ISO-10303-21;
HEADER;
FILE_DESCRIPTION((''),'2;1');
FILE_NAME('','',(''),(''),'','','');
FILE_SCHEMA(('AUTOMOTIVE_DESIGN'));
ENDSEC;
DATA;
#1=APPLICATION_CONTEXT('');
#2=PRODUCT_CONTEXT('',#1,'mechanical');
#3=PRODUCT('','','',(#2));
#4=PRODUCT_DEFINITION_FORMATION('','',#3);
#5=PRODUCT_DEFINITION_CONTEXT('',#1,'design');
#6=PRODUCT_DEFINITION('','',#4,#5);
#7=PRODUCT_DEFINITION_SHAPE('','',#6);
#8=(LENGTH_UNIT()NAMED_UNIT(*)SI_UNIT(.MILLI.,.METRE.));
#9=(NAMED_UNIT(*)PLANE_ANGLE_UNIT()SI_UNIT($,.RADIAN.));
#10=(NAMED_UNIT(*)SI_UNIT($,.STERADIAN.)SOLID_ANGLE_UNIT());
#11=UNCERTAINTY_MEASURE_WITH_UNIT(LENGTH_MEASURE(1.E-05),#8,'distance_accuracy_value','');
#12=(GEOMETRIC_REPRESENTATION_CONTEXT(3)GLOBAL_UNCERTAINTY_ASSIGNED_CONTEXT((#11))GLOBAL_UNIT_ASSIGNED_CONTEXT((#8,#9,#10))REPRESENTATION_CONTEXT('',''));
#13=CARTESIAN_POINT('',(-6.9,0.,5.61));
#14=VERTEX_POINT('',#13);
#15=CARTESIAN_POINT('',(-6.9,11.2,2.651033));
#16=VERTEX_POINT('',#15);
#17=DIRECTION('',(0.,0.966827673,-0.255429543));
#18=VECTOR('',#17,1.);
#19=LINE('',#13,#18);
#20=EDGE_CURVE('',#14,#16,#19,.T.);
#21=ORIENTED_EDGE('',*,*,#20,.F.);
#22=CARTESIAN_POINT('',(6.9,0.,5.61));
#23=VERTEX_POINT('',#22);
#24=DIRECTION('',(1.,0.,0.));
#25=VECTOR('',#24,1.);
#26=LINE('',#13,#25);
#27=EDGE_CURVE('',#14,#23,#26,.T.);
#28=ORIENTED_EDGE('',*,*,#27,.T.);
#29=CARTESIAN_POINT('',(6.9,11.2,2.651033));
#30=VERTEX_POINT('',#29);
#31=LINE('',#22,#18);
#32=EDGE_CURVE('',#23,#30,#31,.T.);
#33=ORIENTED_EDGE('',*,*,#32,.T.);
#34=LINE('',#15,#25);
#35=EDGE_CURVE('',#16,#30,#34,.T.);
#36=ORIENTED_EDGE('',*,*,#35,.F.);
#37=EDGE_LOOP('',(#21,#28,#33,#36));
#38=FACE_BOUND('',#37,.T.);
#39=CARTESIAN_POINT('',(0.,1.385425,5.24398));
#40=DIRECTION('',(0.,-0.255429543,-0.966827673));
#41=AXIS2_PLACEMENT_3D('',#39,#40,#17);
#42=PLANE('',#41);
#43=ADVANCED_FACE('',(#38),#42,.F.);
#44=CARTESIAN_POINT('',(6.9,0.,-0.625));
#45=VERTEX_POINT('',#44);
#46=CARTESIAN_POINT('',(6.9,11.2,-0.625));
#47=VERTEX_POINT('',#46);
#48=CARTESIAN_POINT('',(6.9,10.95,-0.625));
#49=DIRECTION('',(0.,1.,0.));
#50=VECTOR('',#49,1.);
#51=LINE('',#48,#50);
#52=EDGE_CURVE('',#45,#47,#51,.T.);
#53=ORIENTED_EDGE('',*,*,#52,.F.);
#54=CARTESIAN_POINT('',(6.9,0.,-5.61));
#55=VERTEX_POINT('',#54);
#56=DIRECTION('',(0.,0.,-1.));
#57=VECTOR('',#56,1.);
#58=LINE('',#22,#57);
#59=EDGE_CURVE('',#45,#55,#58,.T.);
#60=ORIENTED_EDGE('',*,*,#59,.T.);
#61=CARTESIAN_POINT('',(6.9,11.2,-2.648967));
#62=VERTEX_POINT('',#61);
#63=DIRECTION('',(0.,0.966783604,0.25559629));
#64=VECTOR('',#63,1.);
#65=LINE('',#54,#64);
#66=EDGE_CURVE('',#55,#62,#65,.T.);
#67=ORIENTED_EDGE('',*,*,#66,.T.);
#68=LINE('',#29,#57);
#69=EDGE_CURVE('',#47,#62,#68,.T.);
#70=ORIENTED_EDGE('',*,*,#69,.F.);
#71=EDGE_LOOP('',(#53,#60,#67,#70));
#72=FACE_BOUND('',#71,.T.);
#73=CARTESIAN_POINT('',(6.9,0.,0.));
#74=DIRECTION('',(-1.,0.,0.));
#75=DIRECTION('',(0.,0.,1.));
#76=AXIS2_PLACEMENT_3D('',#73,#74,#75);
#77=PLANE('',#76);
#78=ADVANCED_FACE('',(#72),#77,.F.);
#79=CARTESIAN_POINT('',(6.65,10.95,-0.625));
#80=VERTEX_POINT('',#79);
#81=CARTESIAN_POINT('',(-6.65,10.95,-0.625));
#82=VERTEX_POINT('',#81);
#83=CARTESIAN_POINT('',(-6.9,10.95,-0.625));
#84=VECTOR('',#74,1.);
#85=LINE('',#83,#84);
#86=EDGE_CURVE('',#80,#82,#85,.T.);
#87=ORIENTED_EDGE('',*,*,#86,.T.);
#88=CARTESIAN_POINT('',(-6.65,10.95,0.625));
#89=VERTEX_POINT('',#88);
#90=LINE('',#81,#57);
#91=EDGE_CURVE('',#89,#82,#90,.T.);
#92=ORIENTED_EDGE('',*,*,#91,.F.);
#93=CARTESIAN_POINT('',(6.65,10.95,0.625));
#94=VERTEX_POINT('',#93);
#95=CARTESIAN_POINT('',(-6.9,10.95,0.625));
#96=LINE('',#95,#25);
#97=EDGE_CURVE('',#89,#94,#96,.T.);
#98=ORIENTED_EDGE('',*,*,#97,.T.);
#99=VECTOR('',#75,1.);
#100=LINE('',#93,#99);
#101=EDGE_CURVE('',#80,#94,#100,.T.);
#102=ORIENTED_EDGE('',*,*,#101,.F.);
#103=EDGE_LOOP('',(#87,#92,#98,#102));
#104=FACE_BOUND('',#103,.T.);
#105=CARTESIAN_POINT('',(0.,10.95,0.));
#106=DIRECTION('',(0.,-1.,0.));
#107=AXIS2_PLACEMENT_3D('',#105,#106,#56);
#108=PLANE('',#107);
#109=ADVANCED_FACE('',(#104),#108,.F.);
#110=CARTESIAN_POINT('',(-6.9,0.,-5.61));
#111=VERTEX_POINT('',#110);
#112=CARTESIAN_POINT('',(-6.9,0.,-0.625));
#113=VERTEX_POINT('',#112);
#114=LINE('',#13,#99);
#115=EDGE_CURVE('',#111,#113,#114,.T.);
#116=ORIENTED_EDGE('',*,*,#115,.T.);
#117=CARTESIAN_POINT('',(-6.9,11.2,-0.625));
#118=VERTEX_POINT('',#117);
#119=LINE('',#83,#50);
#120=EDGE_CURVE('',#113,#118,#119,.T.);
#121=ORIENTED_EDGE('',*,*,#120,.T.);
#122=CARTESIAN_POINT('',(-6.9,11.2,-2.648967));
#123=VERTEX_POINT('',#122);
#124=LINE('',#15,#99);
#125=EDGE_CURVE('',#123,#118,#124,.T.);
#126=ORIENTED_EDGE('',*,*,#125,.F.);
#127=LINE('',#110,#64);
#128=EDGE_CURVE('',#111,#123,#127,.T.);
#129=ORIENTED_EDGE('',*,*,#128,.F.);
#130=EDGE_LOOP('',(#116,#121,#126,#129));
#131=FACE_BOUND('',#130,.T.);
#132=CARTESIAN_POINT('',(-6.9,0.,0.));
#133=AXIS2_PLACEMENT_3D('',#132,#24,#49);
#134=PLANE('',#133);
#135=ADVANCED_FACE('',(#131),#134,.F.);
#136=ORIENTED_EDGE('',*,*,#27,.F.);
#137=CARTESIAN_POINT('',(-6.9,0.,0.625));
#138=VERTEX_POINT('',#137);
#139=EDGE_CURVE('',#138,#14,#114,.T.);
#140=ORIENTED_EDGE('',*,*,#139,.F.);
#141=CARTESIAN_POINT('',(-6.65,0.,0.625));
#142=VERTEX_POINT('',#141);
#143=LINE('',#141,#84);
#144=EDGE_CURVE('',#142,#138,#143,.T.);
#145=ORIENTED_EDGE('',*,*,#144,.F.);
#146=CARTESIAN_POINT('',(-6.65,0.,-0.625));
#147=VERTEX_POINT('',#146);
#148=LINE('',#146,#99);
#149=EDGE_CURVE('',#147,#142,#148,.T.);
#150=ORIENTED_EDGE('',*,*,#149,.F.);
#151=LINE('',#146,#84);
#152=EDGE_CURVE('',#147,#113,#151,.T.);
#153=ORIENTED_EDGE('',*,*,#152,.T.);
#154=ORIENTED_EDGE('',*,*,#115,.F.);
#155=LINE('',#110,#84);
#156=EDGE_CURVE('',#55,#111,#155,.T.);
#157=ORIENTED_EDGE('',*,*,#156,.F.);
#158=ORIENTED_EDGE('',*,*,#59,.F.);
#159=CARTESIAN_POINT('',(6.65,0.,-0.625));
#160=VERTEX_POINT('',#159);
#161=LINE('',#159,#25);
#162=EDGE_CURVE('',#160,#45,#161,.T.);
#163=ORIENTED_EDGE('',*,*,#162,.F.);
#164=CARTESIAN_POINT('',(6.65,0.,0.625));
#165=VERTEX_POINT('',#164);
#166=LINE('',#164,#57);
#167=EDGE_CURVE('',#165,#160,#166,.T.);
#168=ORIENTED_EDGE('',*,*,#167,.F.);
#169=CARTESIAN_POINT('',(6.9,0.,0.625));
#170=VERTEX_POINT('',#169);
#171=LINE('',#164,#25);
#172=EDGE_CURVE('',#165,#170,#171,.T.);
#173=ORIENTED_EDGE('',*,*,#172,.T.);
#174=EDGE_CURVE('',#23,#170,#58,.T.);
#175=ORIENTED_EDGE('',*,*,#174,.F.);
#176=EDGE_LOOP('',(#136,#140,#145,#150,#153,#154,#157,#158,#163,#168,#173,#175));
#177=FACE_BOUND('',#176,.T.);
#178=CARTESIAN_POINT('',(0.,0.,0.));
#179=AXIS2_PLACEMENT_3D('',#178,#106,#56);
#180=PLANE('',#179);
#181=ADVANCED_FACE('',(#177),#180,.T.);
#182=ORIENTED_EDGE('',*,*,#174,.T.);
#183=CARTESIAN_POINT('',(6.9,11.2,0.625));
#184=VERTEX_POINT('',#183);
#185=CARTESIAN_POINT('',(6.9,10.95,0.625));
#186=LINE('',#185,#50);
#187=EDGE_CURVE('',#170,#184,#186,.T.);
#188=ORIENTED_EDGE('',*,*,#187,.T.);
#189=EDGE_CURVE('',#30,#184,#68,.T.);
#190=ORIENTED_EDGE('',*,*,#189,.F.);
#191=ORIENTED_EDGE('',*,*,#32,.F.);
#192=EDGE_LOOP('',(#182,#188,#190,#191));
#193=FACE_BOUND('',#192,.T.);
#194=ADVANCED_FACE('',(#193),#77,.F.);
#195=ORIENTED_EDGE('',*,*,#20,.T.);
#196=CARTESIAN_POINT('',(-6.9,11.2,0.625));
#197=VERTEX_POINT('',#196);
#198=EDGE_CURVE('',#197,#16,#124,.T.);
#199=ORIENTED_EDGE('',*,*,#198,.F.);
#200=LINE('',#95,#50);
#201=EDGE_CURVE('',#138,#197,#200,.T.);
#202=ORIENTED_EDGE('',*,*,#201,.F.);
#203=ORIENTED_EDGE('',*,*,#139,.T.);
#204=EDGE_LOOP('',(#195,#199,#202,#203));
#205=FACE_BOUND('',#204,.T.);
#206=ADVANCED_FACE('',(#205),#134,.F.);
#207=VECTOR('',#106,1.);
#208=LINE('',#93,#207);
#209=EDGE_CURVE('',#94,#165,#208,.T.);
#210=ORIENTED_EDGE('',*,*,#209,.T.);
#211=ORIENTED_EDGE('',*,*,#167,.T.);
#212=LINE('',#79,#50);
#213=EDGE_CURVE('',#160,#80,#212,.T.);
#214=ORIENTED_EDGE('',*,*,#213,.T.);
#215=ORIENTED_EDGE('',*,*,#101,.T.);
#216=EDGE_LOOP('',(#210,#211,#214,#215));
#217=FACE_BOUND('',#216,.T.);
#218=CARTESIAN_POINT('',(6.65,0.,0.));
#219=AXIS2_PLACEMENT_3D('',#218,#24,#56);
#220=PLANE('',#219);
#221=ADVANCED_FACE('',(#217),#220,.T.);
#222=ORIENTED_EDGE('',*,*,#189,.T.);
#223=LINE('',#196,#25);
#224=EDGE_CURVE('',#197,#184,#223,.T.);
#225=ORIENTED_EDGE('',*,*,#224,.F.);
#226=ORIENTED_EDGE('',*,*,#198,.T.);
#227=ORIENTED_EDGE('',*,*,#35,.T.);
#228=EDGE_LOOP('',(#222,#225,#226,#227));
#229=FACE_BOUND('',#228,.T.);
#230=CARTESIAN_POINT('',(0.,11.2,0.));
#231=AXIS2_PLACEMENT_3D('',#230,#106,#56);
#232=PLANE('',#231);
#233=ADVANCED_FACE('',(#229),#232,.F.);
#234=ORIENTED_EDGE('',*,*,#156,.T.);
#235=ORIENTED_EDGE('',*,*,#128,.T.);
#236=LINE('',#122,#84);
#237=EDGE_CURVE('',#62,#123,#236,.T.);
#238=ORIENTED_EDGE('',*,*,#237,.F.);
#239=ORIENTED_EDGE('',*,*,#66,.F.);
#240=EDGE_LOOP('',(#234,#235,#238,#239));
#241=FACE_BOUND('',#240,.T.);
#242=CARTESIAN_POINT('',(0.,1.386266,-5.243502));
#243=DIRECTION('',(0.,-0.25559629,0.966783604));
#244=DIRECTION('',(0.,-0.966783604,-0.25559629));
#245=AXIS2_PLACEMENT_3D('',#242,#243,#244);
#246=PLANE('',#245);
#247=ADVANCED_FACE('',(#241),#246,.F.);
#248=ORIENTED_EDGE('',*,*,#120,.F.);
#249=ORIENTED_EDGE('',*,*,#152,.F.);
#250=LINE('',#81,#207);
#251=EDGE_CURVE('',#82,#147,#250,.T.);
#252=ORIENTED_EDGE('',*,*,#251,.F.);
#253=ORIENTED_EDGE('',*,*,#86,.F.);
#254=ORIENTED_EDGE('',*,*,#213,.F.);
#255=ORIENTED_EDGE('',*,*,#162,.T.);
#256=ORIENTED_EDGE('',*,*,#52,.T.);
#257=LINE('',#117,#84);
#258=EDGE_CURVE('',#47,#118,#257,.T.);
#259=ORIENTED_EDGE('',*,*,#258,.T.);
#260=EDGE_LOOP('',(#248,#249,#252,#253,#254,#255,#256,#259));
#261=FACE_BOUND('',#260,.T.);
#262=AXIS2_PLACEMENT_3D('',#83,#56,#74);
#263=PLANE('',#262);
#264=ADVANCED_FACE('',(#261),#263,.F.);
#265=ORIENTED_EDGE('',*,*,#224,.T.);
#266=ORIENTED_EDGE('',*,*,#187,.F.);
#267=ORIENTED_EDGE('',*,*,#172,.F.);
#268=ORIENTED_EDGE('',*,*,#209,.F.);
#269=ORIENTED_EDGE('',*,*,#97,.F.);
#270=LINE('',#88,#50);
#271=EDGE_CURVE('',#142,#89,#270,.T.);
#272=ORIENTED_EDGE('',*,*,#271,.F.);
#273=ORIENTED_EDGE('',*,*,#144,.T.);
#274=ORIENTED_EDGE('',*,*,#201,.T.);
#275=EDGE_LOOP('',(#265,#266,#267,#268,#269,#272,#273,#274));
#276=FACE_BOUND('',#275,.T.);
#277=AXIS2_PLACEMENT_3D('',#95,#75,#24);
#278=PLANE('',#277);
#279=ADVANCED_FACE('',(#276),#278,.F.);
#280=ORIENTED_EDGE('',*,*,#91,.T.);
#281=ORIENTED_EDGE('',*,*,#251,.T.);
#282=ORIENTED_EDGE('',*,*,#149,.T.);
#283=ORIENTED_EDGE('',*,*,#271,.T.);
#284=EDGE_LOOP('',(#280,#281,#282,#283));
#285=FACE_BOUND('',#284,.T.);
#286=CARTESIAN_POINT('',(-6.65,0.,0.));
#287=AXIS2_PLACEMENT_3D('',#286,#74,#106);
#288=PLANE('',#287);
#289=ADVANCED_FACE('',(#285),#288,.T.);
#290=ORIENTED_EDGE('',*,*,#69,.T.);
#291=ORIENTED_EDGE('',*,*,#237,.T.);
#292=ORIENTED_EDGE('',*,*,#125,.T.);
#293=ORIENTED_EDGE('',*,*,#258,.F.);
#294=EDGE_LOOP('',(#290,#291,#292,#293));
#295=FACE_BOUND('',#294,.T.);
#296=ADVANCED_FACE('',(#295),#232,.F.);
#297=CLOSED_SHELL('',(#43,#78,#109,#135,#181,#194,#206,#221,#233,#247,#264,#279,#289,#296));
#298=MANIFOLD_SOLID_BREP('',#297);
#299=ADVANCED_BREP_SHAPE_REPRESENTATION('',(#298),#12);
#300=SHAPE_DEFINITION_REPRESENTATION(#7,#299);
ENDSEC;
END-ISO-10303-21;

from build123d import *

# Parameters (mm, degrees)
SKETCH4_W          = 13.8
SKETCH4_H          = 1.25
CUT_EXTRUDE1_DEPTH = 0.25
SKETCH5_W          = 1.25
SKETCH5_H          = 10.95
CUT_EXTRUDE2_DEPTH = 0.25
SKETCH6_W          = 1.25
SKETCH6_H          = 10.95
CUT_EXTRUDE3_DEPTH = 0.25


with BuildPart() as part:
    # Sketch1 → Loft1 section 0
    with BuildSketch(Plane(origin=(0, 0, 0), x_dir=(1, 0, 0), z_dir=(0, 1, 0))):
        with BuildLine():
            Line((-6.9, -5.61), (6.9, -5.61))
            Line((6.9, -5.61), (6.9, 5.61))
            Line((6.9, 5.61), (-6.9, 5.61))
            Line((-6.9, 5.61), (-6.9, -5.61))
        make_face()
    # Sketch2 → Loft1 section 1
    with BuildSketch(Plane(origin=(0, 11.2, 0), x_dir=(1, 0, 0), z_dir=(0, 1, 0))):
        with BuildLine():
            Line((-6.9, -2.651033308), (6.9, -2.651033308))
            Line((6.9, -2.651033308), (6.9, 2.648966692))
            Line((6.9, 2.648966692), (-6.9, 2.648966692))
            Line((-6.9, 2.648966692), (-6.9, -2.651033308))
        make_face()
    loft()

    # Sketch4 → Cut-Extrude1 (cut)
    with BuildSketch(Plane(origin=(0, 11.2, 0), x_dir=(1, 0, 0), z_dir=(0, 1, 0))):
        Rectangle(SKETCH4_W, SKETCH4_H)
    extrude(amount=-CUT_EXTRUDE1_DEPTH, mode=Mode.SUBTRACT)

    # Sketch5 → Cut-Extrude2 (cut)
    with BuildSketch(Plane(origin=(6.9, 0, 0), x_dir=(0, 0, -1), z_dir=(1, 0, 0))):
        with Locations((0, 5.475)):
            Rectangle(SKETCH5_W, SKETCH5_H)
    extrude(amount=-CUT_EXTRUDE2_DEPTH, mode=Mode.SUBTRACT)

    # Sketch6 → Cut-Extrude3 (cut)
    with BuildSketch(Plane.ZY.offset(6.9)):
        with Locations((0, 5.475)):
            Rectangle(SKETCH6_W, SKETCH6_H)
    extrude(amount=-CUT_EXTRUDE3_DEPTH, mode=Mode.SUBTRACT)


solid = part.part
